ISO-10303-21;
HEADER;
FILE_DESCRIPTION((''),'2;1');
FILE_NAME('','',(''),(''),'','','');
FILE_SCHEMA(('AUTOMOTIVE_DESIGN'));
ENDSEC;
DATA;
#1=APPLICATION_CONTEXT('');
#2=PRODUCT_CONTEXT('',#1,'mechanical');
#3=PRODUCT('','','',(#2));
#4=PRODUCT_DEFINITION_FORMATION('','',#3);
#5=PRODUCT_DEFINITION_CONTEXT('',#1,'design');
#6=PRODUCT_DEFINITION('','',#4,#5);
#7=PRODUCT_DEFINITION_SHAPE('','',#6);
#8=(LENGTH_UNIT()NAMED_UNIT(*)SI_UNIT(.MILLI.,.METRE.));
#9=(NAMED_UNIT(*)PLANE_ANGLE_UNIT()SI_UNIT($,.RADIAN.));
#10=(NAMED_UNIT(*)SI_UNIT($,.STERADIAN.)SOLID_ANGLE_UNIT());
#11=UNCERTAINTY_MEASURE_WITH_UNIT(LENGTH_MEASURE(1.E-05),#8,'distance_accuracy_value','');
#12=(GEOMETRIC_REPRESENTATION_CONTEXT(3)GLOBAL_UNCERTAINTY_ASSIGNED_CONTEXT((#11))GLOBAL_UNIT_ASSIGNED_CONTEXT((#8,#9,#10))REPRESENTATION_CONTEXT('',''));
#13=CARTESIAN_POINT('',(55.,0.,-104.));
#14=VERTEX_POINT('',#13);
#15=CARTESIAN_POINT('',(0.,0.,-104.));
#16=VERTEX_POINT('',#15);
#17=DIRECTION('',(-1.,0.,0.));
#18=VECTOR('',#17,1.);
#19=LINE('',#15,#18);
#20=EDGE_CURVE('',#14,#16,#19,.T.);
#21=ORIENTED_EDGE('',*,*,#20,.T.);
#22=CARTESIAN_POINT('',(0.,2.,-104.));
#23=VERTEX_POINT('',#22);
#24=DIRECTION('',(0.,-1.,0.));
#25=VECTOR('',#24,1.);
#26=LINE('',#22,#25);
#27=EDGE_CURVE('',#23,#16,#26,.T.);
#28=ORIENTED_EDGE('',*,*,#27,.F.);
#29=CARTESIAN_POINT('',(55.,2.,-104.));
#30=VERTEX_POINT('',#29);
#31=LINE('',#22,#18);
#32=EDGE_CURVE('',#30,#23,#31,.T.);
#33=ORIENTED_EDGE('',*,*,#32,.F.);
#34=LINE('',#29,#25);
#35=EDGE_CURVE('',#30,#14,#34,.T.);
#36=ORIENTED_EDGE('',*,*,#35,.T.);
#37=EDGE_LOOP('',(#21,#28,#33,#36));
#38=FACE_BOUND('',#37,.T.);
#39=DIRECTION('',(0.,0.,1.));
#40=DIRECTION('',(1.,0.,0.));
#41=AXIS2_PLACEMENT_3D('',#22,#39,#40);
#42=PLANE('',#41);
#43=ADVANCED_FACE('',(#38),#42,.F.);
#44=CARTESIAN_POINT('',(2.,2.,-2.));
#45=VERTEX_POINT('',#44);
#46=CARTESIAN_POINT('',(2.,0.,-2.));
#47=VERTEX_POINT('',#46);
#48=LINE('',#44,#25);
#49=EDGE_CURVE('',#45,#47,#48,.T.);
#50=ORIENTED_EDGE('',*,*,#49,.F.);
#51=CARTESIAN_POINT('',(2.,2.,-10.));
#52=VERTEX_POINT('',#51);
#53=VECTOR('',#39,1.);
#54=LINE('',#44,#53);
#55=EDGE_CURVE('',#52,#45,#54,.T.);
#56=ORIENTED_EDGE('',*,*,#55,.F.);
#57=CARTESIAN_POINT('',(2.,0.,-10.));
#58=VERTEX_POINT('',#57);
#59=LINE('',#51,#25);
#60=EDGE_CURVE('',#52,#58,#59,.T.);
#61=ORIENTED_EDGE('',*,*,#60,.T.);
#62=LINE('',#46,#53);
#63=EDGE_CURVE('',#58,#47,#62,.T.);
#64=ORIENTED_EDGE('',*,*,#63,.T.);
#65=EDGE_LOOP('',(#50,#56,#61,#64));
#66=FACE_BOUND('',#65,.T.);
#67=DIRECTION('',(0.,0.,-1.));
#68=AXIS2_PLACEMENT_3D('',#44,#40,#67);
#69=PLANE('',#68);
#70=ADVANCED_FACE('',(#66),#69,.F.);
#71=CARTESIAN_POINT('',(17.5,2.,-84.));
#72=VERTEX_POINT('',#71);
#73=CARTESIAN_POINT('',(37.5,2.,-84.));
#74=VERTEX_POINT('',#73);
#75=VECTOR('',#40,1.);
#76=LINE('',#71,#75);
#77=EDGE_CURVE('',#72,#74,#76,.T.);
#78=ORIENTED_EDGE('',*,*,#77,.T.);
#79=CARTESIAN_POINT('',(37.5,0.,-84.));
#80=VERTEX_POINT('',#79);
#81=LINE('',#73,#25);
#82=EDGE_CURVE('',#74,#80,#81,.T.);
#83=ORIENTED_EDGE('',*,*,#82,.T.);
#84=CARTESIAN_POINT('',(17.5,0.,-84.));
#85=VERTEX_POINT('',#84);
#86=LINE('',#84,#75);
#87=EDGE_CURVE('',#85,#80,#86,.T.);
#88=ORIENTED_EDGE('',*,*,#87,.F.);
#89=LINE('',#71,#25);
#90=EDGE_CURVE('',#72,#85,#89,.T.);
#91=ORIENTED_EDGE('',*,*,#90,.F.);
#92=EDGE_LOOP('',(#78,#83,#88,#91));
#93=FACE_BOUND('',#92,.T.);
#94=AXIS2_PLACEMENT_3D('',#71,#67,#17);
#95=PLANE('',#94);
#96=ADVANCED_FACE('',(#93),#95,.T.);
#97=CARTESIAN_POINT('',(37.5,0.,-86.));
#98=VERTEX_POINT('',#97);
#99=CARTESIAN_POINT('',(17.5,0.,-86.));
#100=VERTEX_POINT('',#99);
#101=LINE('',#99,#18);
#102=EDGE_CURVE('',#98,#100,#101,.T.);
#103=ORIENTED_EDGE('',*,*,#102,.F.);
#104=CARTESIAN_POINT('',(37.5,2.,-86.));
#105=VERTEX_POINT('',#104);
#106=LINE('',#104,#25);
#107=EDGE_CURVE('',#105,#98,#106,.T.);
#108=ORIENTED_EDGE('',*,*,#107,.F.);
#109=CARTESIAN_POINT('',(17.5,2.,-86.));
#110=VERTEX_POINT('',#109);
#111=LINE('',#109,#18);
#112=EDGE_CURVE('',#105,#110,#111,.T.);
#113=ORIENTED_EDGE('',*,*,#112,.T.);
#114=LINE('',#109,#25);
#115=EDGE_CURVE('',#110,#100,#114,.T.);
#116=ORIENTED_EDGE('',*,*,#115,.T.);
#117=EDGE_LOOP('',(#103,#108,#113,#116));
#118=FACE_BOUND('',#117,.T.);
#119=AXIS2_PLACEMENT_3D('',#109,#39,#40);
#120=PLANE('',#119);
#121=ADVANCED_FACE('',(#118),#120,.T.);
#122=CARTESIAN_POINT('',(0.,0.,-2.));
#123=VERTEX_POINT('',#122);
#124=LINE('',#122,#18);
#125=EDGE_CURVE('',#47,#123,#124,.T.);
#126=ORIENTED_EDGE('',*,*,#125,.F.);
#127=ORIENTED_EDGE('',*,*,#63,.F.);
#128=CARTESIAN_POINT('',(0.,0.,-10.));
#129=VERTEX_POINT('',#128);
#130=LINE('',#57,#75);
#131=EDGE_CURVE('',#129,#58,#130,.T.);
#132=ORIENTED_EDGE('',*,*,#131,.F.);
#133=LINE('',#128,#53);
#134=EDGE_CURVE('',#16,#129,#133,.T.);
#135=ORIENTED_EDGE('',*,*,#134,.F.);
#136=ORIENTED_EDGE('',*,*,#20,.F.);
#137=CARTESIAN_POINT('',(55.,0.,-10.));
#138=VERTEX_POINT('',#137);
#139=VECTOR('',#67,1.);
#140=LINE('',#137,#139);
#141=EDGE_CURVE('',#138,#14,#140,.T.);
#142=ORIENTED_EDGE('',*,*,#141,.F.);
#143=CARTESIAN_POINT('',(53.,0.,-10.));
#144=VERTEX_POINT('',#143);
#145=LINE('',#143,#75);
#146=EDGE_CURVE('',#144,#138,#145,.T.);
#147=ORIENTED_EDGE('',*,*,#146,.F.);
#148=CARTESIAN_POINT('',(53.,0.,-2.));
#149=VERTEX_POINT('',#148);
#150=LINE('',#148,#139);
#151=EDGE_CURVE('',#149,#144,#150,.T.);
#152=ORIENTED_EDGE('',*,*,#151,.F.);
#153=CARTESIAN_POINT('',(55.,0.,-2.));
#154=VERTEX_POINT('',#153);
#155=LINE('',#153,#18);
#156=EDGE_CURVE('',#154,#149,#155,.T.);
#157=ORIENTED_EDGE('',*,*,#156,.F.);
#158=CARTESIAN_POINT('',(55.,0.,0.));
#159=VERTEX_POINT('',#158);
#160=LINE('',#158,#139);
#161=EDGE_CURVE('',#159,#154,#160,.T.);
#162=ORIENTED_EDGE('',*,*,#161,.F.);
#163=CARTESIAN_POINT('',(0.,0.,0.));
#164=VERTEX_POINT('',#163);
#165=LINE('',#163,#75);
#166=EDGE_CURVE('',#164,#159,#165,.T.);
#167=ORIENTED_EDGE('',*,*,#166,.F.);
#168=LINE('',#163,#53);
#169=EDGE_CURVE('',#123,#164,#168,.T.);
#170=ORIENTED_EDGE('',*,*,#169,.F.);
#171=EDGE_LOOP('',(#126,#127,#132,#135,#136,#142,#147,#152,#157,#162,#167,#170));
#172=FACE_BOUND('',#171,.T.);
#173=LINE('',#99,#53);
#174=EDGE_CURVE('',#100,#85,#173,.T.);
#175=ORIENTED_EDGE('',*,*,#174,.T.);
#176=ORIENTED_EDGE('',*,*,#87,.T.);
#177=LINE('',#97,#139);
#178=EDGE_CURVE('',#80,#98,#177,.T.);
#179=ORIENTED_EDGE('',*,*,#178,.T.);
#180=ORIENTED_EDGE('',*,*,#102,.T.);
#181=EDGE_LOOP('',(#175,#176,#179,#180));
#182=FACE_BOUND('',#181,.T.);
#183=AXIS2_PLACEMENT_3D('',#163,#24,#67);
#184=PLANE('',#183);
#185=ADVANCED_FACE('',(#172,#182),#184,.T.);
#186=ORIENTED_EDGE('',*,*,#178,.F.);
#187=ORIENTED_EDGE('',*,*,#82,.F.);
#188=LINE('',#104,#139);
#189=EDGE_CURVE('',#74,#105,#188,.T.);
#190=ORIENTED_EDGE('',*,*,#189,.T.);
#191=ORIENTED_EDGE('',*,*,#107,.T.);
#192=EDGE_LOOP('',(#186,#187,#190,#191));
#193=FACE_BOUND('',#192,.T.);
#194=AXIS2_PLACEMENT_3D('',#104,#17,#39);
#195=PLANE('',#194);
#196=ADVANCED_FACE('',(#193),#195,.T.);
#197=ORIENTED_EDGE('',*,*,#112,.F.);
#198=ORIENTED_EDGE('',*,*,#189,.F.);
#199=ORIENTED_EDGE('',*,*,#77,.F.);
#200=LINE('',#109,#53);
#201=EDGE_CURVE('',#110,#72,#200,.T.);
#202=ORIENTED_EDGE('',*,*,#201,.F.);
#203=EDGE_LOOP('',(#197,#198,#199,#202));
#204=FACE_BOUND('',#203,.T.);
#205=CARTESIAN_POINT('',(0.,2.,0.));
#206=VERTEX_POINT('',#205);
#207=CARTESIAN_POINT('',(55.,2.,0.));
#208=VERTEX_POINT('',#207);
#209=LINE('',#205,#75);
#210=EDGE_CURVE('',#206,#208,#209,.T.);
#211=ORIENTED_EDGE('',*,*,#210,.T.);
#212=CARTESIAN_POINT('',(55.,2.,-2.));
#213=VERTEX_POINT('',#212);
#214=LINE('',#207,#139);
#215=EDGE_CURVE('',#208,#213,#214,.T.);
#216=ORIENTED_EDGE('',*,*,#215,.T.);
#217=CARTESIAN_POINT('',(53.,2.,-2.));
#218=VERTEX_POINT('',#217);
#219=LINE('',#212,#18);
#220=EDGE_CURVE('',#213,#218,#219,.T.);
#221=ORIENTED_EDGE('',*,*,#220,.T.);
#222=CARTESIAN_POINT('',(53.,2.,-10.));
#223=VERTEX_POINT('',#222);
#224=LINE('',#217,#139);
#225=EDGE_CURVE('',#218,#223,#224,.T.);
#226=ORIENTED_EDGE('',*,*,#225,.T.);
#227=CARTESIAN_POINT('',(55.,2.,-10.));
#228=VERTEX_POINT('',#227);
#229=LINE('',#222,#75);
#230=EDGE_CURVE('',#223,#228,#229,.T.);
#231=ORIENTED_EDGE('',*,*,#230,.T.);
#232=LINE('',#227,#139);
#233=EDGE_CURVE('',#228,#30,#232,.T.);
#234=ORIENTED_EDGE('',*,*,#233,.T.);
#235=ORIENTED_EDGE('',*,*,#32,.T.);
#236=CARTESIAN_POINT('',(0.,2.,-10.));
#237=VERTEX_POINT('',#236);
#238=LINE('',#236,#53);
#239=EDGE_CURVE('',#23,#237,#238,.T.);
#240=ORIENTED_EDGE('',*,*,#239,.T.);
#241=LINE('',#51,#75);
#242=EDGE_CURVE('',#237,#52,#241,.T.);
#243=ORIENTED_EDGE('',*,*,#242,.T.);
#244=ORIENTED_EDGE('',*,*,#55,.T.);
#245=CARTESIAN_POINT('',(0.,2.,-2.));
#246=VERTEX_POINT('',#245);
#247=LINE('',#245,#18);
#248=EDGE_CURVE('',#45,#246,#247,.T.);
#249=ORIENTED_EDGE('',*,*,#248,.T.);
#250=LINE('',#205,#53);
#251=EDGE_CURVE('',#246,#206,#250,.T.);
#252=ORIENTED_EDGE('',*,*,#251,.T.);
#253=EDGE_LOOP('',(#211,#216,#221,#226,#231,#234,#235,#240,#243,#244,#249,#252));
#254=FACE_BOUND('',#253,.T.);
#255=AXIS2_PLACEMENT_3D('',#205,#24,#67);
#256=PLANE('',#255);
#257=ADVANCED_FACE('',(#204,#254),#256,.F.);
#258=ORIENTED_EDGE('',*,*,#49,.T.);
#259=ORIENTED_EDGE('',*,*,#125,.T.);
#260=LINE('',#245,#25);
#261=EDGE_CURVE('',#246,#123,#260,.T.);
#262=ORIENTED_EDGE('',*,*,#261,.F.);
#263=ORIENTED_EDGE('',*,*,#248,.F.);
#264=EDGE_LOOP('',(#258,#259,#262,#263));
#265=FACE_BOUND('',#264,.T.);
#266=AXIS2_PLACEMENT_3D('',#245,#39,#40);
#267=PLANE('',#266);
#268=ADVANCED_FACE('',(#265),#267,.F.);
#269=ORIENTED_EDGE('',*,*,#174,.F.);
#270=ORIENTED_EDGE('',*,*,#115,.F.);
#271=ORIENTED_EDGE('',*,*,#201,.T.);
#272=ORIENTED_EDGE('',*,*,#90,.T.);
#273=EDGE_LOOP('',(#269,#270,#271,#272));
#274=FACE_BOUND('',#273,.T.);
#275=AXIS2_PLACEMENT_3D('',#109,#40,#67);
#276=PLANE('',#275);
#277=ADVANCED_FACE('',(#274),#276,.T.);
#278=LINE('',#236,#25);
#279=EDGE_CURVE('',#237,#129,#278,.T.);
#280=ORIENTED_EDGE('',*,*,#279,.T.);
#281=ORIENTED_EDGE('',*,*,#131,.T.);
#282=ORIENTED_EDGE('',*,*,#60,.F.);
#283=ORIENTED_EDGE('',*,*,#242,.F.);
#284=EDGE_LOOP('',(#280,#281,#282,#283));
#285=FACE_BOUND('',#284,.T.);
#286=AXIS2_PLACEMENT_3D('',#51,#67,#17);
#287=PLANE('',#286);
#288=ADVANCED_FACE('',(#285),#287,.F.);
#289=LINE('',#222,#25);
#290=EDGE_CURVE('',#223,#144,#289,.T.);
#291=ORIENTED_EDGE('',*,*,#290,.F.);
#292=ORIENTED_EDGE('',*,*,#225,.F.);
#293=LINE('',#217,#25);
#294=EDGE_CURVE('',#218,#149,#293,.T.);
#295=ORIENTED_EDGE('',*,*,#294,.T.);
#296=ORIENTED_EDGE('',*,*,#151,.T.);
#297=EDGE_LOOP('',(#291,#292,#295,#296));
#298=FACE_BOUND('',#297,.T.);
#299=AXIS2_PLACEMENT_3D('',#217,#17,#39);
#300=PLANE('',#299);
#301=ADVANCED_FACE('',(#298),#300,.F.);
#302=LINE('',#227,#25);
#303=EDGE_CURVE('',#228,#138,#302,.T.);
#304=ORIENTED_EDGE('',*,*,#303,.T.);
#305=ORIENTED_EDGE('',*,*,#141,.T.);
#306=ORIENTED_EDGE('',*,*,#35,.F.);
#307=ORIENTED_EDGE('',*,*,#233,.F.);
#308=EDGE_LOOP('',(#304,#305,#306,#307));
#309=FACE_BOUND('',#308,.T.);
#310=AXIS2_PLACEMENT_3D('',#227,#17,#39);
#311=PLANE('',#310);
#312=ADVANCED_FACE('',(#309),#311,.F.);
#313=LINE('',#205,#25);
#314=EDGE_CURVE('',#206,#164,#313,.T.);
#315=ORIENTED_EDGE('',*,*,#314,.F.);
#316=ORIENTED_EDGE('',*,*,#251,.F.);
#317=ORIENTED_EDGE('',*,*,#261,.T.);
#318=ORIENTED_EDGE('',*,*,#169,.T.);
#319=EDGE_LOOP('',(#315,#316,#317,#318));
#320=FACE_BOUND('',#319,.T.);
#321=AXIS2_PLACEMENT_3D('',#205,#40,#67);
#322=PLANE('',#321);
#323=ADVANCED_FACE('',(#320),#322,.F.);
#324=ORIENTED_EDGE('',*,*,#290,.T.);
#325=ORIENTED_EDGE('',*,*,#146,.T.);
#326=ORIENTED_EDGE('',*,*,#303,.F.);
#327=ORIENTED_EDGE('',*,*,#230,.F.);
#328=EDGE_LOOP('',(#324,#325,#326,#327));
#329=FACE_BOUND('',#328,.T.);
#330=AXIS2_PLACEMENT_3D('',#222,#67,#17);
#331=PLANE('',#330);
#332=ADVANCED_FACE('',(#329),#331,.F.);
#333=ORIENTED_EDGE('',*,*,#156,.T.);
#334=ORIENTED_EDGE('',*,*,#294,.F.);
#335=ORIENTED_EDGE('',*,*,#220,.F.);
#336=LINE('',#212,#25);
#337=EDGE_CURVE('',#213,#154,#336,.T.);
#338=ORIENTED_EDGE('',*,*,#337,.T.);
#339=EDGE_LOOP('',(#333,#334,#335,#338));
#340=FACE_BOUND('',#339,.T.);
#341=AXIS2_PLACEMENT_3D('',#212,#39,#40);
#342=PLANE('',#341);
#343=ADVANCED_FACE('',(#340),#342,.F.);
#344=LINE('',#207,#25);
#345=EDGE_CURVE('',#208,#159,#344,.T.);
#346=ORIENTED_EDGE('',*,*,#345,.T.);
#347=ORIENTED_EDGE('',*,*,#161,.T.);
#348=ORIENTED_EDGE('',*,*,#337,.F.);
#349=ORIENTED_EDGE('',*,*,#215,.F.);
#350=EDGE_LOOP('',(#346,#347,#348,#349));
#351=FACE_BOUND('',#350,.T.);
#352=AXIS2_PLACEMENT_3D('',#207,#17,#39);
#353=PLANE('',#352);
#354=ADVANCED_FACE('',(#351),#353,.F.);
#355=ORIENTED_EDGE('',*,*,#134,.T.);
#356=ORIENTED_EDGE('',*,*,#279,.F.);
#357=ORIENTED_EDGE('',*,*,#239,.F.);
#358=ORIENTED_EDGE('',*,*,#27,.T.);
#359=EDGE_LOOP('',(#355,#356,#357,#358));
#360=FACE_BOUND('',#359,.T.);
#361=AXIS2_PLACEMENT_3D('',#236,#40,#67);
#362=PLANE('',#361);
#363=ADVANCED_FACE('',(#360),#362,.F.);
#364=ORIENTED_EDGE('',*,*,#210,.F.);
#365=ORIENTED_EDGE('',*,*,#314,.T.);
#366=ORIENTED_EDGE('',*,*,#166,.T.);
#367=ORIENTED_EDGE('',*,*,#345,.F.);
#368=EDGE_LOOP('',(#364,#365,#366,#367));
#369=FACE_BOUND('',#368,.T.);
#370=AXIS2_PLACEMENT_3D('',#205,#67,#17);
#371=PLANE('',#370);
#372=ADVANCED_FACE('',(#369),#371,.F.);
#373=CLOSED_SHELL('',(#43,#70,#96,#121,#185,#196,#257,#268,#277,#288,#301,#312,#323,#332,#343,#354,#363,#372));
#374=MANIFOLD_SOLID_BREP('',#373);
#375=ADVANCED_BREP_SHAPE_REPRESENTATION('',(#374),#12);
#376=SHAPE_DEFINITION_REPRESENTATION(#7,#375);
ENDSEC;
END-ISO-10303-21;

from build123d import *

# Parameters (mm, degrees)
SKETCH1_W           = 20
SKETCH1_H           = 2
BOSS_EXTRUDE1_DEPTH = 2


with BuildPart() as part:
    # Sketch1 → Boss-Extrude1 (new body)
    with BuildSketch(Plane(origin=(0, 0, 0), x_dir=(1, 0, 0), z_dir=(0, 1, 0))):
        Polygon((0, 2), (2, 2), (2, 10), (0, 10), (0, 104), (55, 104), (55, 10), (53, 10), (53, 2), (55, 2), (55, 0), (0, 0), align=None)
        with Locations((27.5, 85)):
            Rectangle(SKETCH1_W, SKETCH1_H, mode=Mode.SUBTRACT)
    extrude(amount=BOSS_EXTRUDE1_DEPTH)


solid = part.part
